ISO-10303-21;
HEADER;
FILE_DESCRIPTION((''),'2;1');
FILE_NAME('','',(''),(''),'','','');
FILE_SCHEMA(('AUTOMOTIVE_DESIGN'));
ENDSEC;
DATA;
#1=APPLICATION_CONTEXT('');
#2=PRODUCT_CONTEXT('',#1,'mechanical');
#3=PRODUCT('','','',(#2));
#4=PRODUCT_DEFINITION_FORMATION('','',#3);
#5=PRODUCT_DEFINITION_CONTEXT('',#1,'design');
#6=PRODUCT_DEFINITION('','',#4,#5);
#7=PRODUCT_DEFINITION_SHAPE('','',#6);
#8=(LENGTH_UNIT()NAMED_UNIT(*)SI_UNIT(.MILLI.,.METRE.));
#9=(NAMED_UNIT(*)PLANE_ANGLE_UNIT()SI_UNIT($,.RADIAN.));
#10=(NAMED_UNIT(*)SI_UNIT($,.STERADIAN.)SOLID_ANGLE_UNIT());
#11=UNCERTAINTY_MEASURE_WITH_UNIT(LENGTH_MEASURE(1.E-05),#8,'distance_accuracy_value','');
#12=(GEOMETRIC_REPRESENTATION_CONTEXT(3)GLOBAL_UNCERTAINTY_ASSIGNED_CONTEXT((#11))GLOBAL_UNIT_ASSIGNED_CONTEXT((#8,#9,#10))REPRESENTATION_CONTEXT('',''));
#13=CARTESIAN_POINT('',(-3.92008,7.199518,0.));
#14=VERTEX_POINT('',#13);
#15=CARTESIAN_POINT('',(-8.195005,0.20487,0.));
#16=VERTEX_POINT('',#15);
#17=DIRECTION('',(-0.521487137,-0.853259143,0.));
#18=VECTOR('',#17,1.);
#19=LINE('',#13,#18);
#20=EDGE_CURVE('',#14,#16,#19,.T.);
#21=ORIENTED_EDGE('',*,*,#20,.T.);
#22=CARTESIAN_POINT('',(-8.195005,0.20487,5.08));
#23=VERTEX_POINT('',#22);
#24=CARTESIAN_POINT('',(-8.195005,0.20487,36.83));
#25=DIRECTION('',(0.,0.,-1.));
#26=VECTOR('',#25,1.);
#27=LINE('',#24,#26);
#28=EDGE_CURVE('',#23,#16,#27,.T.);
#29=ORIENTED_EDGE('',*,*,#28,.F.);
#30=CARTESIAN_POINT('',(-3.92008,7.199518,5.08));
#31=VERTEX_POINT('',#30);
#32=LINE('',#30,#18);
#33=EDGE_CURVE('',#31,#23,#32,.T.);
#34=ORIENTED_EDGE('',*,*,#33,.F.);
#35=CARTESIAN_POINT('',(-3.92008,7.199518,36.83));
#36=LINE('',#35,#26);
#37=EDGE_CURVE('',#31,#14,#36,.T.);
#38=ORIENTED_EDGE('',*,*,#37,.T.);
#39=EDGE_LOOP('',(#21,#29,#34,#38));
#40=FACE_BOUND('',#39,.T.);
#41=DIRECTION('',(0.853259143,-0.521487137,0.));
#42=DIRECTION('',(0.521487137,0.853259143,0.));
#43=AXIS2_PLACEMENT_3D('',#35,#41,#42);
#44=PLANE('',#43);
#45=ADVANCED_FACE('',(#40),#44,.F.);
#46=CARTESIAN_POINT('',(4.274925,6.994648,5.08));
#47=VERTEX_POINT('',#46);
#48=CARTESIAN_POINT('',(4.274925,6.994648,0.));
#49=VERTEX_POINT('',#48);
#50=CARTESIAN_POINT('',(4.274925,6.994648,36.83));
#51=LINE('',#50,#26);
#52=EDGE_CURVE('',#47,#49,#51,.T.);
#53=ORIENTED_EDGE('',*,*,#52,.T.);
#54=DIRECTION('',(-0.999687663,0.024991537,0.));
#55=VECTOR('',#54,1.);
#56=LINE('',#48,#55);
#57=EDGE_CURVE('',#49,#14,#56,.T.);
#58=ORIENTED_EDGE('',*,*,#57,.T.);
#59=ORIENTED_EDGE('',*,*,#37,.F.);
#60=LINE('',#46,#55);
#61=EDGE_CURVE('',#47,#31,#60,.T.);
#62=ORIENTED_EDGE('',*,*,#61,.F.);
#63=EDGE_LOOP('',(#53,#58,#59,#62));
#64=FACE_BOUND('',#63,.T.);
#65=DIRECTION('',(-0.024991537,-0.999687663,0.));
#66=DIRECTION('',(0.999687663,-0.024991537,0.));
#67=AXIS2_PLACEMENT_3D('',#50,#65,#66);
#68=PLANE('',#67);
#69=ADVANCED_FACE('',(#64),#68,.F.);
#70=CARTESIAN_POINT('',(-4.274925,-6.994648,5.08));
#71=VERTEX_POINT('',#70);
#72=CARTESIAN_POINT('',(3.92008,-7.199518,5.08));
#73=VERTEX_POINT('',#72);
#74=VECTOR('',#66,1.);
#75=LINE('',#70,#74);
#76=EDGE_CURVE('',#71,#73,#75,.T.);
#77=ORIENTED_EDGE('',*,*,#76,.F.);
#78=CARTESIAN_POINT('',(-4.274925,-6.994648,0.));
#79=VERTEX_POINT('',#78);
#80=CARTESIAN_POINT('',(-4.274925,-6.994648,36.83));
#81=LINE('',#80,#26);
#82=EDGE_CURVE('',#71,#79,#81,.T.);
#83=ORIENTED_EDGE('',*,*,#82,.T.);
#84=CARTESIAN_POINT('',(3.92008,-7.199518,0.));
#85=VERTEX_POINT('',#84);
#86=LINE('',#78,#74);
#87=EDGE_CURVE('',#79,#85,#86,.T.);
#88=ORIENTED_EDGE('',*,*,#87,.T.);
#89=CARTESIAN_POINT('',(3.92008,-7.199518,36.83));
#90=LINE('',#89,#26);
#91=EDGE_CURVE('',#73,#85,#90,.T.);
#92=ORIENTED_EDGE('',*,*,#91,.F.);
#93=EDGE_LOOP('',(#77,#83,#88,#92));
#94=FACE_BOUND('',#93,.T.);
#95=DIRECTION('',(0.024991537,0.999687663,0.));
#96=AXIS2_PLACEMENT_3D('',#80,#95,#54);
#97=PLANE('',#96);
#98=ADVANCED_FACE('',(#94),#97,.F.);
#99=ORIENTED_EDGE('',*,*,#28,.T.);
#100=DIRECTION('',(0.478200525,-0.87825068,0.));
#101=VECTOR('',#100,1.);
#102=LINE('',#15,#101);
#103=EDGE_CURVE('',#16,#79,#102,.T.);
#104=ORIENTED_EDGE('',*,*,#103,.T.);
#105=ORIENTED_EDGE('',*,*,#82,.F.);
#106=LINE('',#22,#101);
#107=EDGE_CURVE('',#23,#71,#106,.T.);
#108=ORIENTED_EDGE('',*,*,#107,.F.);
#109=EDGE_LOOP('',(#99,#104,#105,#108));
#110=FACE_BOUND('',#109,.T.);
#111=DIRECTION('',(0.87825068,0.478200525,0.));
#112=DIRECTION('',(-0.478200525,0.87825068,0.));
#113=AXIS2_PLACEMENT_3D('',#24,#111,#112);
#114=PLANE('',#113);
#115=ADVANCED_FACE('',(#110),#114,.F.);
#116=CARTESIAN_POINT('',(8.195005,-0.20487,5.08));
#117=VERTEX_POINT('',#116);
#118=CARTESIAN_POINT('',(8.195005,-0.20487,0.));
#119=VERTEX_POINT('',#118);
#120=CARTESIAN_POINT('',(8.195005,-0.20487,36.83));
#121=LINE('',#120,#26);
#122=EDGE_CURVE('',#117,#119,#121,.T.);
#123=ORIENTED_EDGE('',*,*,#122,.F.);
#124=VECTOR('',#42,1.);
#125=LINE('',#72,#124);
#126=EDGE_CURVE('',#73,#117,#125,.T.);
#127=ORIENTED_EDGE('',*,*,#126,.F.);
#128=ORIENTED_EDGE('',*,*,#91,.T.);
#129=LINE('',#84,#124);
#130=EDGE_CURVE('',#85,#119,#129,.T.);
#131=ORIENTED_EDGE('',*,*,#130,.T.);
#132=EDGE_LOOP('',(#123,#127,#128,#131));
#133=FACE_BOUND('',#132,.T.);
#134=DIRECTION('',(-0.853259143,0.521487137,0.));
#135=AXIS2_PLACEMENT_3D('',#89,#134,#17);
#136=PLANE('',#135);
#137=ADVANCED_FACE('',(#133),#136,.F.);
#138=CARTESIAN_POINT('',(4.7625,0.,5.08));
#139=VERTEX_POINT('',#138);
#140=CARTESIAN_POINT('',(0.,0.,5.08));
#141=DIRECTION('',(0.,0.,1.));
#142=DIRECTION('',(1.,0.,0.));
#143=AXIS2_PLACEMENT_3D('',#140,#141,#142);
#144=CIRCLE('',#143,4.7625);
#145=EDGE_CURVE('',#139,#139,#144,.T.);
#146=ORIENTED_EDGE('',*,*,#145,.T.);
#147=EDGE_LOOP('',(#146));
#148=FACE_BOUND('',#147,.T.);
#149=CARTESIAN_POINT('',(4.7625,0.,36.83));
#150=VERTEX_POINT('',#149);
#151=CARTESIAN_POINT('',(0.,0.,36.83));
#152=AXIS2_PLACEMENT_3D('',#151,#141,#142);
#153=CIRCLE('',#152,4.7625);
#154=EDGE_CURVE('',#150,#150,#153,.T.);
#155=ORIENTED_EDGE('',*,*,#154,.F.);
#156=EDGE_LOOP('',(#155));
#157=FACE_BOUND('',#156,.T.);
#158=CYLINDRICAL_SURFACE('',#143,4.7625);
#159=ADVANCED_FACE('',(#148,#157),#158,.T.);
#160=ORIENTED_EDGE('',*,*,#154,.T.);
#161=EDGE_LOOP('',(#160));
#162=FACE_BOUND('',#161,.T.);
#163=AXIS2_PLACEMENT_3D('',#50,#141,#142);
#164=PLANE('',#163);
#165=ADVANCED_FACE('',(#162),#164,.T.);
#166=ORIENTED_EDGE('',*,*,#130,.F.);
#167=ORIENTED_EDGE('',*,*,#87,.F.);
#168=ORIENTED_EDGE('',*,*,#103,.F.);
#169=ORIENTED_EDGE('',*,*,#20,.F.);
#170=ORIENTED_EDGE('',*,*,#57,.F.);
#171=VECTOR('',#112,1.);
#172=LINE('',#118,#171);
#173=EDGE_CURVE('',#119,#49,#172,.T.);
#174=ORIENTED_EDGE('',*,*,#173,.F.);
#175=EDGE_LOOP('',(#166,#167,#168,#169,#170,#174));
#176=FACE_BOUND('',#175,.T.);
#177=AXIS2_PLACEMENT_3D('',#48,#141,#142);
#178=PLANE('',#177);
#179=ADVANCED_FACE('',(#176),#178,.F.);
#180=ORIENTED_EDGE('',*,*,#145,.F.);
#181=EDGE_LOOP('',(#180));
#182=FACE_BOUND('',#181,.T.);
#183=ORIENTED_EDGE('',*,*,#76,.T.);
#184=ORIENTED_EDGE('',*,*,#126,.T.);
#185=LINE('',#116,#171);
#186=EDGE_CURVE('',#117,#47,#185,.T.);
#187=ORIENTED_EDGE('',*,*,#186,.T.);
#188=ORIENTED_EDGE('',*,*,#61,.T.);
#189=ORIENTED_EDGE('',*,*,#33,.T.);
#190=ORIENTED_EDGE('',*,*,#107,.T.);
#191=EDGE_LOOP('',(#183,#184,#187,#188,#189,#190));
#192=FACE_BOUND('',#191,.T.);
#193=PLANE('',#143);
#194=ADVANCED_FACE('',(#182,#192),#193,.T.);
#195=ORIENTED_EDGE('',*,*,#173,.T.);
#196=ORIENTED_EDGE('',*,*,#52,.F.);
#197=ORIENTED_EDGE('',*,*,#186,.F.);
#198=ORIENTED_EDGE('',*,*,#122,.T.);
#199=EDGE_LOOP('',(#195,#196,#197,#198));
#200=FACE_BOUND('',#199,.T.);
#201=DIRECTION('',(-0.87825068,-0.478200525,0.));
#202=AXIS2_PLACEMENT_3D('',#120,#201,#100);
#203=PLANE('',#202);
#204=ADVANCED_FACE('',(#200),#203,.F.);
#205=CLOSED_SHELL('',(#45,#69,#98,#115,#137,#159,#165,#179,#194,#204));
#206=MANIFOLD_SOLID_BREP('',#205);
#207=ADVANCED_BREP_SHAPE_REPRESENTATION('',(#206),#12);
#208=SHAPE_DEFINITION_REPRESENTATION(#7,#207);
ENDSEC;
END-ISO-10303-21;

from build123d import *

# Parameters (mm, degrees)
EXTRUDE1_DEPTH    = 36.83
SKETCH2_OUTSIDE_W = 26.952
SKETCH2_OUTSIDE_H = 24.962
SKETCH2_OUTSIDE_R = 4.7625
EXTRUDE2_DEPTH    = 31.75


with BuildPart() as part:
    # Sketch1 → Extrude1 (new body)
    with BuildSketch(Plane.XY):
        Polygon((4.274924982, 6.994647743), (-3.920080145, 7.199517506), (-8.195005127, 0.204869763), (-4.274924982, -6.994647743), (3.920080145, -7.199517506), (8.195005127, -0.204869763), align=None)
    extrude(amount=EXTRUDE1_DEPTH)

    # Sketch2 outside → Extrude2 (cut)
    with BuildSketch(Plane.XY.offset(36.83)):
        Rectangle(SKETCH2_OUTSIDE_W, SKETCH2_OUTSIDE_H)
        Circle(SKETCH2_OUTSIDE_R, mode=Mode.SUBTRACT)
    extrude(amount=-EXTRUDE2_DEPTH, mode=Mode.SUBTRACT)


solid = part.part
